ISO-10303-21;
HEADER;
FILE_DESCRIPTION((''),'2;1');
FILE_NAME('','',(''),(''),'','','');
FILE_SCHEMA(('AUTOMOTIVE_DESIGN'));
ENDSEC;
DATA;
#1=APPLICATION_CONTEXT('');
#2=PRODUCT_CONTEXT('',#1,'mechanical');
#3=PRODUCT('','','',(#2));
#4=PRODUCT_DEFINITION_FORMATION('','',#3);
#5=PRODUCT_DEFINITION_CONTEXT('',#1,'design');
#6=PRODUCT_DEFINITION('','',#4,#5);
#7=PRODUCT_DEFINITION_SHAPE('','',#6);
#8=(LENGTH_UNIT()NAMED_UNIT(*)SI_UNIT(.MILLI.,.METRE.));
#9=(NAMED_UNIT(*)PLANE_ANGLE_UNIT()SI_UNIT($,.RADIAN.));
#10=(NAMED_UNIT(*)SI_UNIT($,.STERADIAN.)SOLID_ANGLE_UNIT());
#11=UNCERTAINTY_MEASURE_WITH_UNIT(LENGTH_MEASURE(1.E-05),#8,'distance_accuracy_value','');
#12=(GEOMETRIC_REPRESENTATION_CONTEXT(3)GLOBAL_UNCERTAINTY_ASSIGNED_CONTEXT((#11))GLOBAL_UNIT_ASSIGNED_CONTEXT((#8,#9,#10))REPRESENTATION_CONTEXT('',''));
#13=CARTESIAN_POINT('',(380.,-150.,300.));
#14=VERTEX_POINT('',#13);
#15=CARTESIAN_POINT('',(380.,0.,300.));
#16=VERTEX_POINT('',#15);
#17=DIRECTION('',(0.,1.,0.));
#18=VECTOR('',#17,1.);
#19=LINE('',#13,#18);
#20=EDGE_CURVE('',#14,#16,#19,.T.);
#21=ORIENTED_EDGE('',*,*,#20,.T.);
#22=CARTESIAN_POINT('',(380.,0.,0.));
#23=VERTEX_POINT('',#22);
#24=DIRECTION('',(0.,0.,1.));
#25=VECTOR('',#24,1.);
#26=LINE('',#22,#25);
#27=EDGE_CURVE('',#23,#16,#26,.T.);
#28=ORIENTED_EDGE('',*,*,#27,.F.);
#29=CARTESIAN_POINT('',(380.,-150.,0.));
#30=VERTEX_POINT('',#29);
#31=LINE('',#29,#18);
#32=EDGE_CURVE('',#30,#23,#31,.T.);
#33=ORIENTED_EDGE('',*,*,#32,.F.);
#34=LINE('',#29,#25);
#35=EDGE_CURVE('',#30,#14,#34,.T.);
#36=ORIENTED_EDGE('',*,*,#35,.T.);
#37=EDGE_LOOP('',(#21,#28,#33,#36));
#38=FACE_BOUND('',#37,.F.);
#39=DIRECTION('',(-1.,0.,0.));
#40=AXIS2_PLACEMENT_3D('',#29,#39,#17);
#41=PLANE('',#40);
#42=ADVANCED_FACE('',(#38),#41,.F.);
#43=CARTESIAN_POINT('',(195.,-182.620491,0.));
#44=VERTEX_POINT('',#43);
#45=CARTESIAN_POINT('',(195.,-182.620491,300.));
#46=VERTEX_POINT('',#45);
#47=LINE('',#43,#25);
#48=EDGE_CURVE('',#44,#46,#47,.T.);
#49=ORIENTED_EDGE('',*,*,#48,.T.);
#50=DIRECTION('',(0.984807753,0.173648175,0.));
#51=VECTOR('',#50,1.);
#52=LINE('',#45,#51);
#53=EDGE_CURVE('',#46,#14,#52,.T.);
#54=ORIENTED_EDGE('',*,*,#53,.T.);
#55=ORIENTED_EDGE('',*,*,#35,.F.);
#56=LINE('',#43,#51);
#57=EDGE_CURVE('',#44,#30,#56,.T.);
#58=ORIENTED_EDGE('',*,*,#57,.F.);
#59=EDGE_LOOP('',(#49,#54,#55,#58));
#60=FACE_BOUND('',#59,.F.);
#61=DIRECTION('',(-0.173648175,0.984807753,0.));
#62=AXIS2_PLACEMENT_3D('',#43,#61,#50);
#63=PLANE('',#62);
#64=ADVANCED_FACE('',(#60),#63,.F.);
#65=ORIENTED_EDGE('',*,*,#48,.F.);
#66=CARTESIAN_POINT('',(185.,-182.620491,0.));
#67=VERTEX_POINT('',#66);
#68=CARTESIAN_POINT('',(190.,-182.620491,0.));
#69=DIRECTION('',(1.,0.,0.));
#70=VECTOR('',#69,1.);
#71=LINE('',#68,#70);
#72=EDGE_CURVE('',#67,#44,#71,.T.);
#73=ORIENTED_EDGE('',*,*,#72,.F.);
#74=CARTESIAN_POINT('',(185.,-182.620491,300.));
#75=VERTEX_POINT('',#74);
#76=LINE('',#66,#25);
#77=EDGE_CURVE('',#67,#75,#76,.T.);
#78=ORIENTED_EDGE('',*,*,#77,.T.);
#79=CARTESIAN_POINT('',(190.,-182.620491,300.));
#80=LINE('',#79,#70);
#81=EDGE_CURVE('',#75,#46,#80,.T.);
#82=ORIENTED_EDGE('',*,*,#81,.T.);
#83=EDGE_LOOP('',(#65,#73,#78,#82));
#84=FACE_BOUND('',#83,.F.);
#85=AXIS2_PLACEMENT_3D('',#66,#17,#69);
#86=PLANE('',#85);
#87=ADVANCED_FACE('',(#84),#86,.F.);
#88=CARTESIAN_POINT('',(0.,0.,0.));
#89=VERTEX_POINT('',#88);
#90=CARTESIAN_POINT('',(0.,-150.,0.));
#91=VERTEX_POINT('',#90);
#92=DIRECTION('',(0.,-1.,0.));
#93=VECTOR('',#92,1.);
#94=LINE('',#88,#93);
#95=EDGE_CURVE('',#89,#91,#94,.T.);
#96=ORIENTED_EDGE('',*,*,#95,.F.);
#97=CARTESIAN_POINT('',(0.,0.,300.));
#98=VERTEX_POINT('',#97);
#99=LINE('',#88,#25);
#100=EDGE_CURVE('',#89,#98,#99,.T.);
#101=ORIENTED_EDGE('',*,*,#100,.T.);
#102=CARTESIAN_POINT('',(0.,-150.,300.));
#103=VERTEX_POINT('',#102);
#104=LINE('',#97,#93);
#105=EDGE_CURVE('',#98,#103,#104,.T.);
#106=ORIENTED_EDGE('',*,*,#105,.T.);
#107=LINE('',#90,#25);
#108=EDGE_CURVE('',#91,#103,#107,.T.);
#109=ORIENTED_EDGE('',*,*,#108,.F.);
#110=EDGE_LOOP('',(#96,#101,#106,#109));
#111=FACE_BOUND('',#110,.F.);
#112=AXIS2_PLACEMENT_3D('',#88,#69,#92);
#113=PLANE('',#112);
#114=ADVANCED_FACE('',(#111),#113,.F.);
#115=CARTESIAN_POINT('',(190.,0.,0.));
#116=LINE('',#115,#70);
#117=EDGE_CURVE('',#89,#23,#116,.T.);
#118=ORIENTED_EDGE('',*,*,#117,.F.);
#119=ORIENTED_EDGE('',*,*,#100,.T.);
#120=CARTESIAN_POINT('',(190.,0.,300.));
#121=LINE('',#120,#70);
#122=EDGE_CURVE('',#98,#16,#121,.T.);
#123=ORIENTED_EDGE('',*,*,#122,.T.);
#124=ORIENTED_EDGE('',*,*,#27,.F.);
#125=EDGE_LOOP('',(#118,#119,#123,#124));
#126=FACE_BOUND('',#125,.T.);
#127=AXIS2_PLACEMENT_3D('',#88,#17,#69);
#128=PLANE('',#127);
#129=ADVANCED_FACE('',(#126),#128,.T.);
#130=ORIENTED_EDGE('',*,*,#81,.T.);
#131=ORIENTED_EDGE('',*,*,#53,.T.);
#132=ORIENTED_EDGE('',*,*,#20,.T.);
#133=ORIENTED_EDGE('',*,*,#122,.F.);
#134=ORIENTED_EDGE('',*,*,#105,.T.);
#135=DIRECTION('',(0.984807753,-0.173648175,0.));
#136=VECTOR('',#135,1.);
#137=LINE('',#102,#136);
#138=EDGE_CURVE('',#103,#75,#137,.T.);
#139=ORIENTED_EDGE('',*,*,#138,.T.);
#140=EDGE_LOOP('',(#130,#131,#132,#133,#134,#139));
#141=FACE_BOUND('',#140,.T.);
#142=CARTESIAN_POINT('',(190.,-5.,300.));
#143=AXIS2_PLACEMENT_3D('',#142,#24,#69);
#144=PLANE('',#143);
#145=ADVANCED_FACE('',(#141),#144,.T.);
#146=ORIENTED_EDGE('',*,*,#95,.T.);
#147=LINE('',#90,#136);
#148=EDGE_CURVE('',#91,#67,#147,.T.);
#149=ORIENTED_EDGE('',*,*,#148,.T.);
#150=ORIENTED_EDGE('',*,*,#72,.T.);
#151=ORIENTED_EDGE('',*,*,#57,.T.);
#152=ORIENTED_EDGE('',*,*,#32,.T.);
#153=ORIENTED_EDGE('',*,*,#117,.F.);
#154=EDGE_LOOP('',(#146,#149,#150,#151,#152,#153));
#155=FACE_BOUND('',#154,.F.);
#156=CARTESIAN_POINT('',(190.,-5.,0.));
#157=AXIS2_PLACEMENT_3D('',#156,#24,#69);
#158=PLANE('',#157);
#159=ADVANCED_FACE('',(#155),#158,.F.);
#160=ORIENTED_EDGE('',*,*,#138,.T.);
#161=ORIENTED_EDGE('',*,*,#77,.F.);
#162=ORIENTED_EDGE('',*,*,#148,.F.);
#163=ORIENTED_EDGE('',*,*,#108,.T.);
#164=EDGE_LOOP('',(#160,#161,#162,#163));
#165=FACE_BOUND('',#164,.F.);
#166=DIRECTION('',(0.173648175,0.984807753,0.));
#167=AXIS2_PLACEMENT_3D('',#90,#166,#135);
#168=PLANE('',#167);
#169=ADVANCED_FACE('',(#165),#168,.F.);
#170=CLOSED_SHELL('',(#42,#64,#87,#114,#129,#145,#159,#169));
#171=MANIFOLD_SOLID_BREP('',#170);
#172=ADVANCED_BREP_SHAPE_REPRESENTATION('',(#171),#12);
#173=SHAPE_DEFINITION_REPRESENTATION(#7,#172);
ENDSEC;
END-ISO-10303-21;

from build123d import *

# Parameters (mm, degrees)
F0_W     = 380
F0_H     = 10
F0_W_2   = 10
F0_H_2   = 120
F1_DEPTH = 300


with BuildPart() as f1:
    # F0 (on Top) → F1 (new body)
    with BuildSketch(Plane.XY):
        with Locations((190, -5)):
            Rectangle(F0_W, F0_H)
        Polygon((380, -10), (0, -10), (0, -150), (185, -182.620491), (185, -62.620491), (195, -62.620491), (195, -182.620491), (380, -150), align=None)
        with Locations((190, -122.620491)):
            Rectangle(F0_W_2, F0_H_2)
    extrude(amount=F1_DEPTH)


solid = f1.part
